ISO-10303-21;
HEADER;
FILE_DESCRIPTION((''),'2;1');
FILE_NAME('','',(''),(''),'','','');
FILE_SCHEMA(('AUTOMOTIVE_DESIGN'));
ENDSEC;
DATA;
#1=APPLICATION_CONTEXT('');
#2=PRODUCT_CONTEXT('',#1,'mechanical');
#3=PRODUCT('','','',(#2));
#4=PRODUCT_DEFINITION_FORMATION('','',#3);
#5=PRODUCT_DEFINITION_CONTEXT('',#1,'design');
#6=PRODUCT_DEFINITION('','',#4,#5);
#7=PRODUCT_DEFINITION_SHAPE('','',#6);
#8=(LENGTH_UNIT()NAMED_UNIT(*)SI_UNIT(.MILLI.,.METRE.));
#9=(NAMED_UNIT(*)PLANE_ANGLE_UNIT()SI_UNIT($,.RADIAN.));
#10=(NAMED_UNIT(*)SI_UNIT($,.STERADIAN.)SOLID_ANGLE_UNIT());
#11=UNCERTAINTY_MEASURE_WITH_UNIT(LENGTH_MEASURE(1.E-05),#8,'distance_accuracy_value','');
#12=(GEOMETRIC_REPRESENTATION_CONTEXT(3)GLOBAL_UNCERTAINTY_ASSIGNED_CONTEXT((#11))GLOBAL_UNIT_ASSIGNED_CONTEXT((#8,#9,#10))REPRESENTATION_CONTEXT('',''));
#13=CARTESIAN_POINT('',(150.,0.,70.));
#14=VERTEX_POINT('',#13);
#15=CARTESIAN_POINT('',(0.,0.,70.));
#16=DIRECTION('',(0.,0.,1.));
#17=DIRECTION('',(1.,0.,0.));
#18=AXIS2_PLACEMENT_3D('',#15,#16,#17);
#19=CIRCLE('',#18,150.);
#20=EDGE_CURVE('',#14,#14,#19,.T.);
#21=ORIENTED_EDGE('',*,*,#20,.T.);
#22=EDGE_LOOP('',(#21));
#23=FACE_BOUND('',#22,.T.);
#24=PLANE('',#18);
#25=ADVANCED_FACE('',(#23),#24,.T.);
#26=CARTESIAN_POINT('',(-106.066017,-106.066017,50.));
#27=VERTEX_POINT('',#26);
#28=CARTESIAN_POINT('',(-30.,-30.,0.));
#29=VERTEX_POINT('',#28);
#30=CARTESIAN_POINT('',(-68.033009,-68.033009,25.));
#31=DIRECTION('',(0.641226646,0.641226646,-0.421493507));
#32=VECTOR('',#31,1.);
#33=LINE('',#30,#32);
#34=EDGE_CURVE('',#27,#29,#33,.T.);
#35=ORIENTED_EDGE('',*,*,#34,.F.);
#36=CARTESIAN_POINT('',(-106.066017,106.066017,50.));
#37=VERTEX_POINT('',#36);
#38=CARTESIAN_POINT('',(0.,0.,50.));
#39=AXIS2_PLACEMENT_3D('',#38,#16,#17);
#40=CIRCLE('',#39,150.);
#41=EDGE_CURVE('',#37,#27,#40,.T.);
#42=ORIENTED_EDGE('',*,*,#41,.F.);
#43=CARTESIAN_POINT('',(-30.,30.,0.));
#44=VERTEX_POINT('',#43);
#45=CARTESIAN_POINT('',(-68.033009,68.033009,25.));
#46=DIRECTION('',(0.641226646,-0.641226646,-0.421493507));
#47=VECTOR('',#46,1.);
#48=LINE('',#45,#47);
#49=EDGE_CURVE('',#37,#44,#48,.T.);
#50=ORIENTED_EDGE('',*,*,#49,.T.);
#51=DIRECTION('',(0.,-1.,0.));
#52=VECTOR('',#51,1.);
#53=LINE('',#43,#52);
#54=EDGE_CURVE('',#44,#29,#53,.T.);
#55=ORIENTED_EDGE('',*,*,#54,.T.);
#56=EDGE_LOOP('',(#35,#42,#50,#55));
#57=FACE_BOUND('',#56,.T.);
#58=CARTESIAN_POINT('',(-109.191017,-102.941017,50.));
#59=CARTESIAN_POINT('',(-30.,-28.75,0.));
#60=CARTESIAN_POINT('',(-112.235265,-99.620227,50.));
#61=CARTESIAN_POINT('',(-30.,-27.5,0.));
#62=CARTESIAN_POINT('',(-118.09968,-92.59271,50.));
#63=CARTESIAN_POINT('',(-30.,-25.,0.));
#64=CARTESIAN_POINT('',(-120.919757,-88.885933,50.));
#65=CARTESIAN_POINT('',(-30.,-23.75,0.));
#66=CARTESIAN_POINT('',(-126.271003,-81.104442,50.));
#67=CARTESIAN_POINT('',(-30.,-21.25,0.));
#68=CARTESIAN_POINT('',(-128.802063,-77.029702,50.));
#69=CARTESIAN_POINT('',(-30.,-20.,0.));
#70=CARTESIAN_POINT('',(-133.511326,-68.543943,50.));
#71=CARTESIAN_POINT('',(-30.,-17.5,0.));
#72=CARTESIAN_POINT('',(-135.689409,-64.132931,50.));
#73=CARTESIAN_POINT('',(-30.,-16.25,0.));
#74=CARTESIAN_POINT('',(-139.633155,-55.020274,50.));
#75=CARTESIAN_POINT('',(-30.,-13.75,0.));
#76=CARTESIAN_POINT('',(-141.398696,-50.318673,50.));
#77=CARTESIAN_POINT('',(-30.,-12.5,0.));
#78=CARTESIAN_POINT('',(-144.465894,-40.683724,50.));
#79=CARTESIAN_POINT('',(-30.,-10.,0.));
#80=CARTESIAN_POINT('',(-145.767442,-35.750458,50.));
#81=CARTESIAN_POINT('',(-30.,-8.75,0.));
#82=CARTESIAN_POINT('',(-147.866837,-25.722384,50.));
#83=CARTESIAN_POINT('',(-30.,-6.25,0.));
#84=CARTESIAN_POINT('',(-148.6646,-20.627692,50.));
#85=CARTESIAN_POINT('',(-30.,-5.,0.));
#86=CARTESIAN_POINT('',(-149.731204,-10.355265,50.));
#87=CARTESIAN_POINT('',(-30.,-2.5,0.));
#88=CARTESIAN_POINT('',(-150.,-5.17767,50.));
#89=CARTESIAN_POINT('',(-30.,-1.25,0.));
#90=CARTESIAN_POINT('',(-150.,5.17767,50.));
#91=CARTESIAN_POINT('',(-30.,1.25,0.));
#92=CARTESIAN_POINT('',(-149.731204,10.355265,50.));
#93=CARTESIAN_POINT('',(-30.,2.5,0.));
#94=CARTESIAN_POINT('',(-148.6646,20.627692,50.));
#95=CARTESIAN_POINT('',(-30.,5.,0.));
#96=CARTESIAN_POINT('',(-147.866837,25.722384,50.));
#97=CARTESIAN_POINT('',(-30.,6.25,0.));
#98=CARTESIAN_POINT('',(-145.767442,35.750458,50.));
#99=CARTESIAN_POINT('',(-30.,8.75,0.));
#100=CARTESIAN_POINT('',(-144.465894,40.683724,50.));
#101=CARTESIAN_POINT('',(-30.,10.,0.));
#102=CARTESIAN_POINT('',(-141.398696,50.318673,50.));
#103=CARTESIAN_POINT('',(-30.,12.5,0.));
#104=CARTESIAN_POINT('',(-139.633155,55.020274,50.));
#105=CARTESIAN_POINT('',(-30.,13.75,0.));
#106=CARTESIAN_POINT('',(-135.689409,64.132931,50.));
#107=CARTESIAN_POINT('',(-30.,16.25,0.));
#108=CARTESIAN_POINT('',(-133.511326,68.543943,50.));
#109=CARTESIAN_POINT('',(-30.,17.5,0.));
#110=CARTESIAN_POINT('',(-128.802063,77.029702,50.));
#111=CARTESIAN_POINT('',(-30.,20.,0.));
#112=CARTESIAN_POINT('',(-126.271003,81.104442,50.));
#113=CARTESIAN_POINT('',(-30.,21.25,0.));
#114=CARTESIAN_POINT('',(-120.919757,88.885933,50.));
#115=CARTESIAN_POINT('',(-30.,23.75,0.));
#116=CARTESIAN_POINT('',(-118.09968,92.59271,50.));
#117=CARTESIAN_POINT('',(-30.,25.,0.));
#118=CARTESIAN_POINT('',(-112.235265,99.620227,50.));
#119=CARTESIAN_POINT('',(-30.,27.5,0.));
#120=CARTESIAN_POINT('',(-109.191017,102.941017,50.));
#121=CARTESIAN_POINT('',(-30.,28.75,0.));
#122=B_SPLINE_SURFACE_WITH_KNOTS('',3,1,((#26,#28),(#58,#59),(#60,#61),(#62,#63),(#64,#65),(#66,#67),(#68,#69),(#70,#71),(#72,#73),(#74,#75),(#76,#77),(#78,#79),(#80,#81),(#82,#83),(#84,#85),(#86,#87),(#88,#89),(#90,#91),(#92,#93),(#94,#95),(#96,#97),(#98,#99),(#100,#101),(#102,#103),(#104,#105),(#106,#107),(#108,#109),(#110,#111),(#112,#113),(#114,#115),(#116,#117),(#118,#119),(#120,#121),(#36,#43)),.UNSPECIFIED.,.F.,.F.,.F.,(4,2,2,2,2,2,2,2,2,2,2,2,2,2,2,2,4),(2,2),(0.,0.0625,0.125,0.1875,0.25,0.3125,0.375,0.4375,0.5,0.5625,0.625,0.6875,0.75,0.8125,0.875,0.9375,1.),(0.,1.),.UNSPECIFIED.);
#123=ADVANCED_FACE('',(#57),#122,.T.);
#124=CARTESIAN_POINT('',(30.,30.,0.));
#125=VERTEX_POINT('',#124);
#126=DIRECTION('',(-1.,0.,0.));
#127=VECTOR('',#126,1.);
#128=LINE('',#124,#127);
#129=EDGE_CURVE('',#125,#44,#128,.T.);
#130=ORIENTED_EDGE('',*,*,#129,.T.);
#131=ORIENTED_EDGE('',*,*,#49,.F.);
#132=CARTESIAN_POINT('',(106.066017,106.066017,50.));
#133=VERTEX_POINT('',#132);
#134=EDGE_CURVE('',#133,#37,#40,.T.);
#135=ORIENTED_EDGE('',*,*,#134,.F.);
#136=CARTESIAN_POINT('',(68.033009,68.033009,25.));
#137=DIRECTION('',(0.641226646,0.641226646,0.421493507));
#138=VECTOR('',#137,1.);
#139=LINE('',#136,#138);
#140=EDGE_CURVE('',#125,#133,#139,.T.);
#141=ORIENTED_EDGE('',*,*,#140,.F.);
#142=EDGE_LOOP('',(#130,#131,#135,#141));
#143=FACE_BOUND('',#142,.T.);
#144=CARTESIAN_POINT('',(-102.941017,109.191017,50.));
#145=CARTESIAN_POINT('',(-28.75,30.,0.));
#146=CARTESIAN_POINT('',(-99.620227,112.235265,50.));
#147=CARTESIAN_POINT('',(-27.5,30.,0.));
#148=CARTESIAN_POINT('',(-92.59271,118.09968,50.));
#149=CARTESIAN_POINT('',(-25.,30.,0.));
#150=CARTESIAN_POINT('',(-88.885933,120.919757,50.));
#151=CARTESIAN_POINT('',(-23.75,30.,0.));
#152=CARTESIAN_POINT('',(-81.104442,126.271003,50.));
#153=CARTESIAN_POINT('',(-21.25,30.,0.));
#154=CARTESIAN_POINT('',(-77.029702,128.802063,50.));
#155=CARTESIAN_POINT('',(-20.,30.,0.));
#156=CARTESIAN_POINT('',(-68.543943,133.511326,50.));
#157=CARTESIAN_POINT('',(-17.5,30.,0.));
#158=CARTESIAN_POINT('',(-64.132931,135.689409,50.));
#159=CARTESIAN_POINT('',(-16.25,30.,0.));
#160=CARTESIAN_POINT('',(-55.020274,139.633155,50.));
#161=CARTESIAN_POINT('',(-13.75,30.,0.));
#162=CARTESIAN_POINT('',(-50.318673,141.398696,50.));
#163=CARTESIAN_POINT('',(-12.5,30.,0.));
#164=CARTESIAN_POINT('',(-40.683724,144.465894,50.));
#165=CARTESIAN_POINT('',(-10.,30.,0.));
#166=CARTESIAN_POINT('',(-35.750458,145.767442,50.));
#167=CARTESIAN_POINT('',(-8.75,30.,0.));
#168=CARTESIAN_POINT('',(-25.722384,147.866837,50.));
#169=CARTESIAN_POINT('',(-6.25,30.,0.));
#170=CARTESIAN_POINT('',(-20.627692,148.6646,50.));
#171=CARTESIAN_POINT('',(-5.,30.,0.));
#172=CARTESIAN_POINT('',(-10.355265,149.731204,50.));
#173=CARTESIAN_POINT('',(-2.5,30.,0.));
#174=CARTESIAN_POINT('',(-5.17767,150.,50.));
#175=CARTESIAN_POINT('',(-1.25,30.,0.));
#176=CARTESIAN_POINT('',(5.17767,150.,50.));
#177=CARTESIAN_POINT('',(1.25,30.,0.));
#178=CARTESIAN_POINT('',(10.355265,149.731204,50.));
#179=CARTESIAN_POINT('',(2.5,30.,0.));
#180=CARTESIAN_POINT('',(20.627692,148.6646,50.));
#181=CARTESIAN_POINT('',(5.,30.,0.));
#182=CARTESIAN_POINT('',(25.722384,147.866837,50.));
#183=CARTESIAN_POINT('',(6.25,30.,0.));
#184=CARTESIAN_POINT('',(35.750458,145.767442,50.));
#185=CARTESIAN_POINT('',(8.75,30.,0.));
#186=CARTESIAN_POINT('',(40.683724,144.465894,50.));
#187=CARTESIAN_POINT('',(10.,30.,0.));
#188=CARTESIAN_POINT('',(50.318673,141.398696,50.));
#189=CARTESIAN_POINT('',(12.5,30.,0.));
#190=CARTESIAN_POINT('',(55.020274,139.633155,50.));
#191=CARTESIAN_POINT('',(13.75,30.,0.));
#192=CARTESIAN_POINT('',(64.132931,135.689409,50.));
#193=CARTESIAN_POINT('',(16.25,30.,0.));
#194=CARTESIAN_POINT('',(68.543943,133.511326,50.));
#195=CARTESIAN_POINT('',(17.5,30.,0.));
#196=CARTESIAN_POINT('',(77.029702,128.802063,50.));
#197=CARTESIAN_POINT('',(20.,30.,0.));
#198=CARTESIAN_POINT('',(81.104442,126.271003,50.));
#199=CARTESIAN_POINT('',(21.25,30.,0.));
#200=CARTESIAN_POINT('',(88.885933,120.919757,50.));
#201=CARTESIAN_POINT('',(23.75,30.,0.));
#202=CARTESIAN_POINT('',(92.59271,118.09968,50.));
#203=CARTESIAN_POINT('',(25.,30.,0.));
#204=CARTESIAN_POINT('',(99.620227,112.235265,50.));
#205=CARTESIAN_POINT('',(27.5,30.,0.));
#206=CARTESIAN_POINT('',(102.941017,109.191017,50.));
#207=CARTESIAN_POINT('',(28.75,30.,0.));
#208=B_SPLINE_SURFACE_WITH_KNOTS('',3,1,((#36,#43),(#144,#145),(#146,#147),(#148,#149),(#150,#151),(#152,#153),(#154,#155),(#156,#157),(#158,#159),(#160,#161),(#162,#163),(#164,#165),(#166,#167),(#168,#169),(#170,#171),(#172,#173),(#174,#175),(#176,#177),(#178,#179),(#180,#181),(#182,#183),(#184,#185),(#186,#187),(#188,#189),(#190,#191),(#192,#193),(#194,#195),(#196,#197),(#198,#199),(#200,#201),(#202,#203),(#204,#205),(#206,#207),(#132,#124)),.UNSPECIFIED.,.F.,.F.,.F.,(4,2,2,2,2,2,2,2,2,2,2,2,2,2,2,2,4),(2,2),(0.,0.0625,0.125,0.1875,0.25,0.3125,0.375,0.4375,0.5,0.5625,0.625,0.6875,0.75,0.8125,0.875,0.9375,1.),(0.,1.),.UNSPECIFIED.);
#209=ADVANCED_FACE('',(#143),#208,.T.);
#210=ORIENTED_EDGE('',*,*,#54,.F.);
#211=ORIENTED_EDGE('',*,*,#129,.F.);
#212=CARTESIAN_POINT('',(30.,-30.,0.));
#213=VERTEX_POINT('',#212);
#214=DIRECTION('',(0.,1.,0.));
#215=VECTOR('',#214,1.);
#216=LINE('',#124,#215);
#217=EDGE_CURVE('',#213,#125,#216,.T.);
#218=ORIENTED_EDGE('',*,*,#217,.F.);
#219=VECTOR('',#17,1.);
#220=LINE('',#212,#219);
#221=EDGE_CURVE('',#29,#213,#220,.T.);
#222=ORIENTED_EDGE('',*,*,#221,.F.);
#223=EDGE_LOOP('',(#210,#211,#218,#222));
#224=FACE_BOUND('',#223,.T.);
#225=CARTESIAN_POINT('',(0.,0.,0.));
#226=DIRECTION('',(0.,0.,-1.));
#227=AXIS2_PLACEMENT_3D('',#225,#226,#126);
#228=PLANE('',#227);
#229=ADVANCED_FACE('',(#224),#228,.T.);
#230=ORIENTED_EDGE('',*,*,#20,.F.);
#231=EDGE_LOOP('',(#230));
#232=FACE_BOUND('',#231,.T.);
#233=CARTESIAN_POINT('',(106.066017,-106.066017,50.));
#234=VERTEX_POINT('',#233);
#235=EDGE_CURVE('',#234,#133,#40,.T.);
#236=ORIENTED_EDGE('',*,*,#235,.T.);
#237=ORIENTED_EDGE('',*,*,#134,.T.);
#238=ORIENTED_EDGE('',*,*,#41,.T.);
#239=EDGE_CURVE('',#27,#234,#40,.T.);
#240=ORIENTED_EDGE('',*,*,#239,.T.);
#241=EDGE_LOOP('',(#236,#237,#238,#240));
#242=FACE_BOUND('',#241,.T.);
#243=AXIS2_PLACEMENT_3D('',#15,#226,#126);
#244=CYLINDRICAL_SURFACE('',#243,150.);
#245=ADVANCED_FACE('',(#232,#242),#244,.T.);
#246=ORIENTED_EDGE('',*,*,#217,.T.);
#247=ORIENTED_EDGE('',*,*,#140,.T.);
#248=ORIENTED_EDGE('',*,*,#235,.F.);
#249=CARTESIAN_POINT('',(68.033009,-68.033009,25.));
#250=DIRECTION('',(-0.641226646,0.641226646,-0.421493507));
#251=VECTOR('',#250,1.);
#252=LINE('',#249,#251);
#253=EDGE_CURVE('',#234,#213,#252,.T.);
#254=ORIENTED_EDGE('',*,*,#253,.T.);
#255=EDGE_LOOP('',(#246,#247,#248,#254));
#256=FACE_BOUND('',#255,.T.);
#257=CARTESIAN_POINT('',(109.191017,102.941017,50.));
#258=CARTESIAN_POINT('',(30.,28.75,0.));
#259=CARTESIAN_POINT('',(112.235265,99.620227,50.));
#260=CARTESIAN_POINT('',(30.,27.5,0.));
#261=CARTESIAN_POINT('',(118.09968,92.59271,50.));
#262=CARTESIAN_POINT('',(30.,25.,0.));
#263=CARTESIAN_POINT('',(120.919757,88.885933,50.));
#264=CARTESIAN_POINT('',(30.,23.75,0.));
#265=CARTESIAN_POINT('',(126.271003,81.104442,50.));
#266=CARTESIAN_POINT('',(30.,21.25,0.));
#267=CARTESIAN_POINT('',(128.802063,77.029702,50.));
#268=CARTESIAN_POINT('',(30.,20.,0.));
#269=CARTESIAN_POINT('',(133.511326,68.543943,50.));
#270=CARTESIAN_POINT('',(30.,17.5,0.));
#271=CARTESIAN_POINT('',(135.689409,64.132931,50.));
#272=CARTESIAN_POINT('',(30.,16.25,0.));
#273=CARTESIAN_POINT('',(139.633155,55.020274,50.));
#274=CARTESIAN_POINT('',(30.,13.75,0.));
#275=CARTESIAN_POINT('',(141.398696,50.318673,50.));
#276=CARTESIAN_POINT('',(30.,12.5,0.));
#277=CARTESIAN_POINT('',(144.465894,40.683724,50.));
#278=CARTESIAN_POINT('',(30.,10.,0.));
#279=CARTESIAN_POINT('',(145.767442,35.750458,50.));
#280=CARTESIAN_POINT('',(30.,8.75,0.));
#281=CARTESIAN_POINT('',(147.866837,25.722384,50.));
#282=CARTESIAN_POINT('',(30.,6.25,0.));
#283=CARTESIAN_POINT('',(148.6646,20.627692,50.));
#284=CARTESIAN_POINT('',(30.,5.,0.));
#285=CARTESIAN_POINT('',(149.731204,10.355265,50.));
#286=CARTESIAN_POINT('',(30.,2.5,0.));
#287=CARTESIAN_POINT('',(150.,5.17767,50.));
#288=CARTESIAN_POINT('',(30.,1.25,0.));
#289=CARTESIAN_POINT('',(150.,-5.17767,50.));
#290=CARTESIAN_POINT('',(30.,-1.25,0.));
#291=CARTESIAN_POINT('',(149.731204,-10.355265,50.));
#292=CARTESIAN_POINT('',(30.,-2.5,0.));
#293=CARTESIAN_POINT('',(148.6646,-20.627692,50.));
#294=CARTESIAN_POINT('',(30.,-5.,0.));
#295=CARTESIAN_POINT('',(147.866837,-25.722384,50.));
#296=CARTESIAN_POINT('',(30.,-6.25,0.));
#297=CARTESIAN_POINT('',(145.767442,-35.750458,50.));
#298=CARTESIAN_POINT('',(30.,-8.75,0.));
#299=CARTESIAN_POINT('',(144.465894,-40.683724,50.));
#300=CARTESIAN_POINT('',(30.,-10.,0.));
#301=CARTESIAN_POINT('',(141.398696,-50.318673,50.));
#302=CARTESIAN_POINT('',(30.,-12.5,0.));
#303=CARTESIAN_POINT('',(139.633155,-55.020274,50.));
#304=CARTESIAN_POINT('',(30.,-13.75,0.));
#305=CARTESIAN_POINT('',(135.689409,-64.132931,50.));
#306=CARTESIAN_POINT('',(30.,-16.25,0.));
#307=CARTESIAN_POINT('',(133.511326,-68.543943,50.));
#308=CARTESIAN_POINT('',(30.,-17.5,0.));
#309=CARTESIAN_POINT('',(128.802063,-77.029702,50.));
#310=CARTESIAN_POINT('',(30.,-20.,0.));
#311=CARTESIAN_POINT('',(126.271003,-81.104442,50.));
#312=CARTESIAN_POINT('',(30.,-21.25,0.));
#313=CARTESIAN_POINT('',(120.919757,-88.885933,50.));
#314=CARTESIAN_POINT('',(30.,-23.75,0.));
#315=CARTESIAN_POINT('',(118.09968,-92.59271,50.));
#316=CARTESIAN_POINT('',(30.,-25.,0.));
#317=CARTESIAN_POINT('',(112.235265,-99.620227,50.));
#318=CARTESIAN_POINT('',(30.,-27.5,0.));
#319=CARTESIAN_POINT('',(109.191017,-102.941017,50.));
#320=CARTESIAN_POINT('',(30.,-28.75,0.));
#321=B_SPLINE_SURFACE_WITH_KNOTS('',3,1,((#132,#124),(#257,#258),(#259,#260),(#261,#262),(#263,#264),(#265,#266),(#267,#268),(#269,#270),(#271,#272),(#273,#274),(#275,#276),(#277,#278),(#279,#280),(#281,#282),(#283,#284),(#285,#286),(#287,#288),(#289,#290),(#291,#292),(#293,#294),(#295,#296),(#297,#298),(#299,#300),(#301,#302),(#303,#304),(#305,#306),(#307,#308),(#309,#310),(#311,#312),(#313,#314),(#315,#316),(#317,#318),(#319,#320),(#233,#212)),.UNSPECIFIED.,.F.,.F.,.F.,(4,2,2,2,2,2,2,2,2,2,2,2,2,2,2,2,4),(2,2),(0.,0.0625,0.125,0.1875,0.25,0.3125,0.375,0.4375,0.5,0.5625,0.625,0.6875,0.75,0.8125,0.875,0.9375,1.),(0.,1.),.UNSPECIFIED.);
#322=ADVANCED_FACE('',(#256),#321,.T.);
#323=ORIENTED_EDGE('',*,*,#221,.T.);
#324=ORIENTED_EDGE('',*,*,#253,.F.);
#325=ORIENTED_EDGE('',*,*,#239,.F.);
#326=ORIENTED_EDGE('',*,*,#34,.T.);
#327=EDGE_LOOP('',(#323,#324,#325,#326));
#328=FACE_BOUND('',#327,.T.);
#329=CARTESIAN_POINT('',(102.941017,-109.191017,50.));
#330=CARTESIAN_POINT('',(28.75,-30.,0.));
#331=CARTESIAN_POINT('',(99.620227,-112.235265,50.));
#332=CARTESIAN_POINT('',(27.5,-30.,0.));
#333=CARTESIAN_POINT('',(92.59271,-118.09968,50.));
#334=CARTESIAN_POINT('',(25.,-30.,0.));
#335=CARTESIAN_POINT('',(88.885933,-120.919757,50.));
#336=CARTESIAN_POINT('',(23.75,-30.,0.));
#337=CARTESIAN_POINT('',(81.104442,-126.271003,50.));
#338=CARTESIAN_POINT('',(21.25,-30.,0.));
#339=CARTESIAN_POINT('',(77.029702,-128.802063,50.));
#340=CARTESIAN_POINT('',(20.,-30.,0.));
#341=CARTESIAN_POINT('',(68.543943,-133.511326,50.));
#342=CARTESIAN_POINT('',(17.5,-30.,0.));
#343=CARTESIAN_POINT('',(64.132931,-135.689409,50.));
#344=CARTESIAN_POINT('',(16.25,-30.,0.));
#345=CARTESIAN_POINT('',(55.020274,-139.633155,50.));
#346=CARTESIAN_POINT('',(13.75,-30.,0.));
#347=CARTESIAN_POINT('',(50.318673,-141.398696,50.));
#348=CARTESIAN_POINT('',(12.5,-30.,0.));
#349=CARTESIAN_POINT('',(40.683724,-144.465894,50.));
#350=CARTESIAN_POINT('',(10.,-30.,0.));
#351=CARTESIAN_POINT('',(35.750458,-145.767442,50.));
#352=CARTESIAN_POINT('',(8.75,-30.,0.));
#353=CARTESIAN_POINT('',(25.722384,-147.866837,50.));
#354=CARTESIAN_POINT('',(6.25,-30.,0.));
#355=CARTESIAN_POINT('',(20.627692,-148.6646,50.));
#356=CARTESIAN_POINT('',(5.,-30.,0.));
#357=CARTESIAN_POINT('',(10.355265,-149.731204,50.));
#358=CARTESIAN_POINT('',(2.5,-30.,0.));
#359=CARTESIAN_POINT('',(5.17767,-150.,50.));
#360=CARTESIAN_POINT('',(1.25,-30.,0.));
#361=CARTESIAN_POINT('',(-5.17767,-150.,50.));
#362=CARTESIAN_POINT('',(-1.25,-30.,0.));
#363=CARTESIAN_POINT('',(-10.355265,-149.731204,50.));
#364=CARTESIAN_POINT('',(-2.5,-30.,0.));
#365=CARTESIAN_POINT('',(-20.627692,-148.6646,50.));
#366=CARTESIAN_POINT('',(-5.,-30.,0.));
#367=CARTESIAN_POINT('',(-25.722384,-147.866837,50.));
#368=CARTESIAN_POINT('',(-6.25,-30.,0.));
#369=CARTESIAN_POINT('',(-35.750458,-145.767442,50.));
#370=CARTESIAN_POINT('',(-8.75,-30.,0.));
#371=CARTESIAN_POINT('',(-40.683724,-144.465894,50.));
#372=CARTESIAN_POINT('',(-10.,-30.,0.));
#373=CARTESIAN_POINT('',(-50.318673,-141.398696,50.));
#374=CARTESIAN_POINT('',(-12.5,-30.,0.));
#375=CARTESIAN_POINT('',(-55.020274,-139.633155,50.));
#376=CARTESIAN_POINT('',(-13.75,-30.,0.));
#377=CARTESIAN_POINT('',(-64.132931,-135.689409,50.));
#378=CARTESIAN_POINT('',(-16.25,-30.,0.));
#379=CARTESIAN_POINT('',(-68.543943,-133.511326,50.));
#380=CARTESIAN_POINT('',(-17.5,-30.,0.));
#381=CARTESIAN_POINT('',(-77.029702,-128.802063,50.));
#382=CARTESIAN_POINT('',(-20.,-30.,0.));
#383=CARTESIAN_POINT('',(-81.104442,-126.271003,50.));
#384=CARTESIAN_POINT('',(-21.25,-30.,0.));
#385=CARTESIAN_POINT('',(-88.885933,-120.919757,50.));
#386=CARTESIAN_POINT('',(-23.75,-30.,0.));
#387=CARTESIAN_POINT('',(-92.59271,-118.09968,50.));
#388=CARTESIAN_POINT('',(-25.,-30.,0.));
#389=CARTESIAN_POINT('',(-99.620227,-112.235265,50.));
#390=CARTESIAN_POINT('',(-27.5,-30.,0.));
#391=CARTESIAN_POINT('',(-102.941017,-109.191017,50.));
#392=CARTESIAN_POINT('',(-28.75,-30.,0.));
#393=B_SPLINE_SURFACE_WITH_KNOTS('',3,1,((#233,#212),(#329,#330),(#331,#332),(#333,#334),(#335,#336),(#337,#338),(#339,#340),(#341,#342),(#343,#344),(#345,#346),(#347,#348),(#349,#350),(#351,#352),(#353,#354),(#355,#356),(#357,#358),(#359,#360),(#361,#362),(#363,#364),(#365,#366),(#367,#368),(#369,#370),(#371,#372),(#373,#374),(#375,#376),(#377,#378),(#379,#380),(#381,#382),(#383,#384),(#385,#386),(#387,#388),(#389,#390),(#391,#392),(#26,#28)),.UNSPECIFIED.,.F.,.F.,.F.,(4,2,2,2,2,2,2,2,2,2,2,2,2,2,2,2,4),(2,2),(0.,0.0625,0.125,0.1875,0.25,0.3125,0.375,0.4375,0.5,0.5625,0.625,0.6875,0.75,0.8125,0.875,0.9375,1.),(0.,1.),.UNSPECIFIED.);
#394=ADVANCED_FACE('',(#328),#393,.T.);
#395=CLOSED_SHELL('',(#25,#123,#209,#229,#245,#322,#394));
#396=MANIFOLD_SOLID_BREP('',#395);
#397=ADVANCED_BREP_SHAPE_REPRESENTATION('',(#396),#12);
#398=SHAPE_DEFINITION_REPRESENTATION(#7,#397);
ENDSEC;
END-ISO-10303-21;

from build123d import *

# Parameters (mm, degrees)
SKETCH_1_W      = 60
SKETCH_1_H      = 60
EXTRUDE_1_DEPTH = 20


with BuildPart() as part:
    # 草图2 for 放样1 → 放样1 section 0
    with BuildSketch(Plane.XY.offset(50)):
        with BuildLine():
            # circular arc as an exact rational Bezier (weights 1, cos(half-angle), 1)
            Bezier((106.066017178, 106.066017178), (0, 212.132034356), (-106.066017178, 106.066017178), weights=[1, 0.707106781, 1])
            Bezier((-106.066017178, 106.066017178), (-212.132034356, 0), (-106.066017178, -106.066017178), weights=[1, 0.707106781, 1])
            Bezier((-106.066017178, -106.066017178), (0, -212.132034356), (106.066017178, -106.066017178), weights=[1, 0.707106781, 1])
            Bezier((106.066017178, -106.066017178), (212.132034356, 0), (106.066017178, 106.066017178), weights=[1, 0.707106781, 1])
        make_face()
    # 草图1 → 放样1 section 1
    with BuildSketch(Plane.XY):
        Rectangle(SKETCH_1_W, SKETCH_1_H)
    loft()

    # 草图3 → 凸台-拉伸1 (add)
    with BuildSketch(Plane.XY.offset(50)):
        with BuildLine():
            ThreePointArc((-106.066017178, -106.066017178), (0, -150), (106.066017178, -106.066017178))
            ThreePointArc((106.066017178, -106.066017178), (150, 0), (106.066017178, 106.066017178))
            ThreePointArc((106.066017178, 106.066017178), (0, 150), (-106.066017178, 106.066017178))
            ThreePointArc((-106.066017178, 106.066017178), (-150, 0), (-106.066017178, -106.066017178))
        make_face()
    extrude(amount=EXTRUDE_1_DEPTH)


solid = part.part
